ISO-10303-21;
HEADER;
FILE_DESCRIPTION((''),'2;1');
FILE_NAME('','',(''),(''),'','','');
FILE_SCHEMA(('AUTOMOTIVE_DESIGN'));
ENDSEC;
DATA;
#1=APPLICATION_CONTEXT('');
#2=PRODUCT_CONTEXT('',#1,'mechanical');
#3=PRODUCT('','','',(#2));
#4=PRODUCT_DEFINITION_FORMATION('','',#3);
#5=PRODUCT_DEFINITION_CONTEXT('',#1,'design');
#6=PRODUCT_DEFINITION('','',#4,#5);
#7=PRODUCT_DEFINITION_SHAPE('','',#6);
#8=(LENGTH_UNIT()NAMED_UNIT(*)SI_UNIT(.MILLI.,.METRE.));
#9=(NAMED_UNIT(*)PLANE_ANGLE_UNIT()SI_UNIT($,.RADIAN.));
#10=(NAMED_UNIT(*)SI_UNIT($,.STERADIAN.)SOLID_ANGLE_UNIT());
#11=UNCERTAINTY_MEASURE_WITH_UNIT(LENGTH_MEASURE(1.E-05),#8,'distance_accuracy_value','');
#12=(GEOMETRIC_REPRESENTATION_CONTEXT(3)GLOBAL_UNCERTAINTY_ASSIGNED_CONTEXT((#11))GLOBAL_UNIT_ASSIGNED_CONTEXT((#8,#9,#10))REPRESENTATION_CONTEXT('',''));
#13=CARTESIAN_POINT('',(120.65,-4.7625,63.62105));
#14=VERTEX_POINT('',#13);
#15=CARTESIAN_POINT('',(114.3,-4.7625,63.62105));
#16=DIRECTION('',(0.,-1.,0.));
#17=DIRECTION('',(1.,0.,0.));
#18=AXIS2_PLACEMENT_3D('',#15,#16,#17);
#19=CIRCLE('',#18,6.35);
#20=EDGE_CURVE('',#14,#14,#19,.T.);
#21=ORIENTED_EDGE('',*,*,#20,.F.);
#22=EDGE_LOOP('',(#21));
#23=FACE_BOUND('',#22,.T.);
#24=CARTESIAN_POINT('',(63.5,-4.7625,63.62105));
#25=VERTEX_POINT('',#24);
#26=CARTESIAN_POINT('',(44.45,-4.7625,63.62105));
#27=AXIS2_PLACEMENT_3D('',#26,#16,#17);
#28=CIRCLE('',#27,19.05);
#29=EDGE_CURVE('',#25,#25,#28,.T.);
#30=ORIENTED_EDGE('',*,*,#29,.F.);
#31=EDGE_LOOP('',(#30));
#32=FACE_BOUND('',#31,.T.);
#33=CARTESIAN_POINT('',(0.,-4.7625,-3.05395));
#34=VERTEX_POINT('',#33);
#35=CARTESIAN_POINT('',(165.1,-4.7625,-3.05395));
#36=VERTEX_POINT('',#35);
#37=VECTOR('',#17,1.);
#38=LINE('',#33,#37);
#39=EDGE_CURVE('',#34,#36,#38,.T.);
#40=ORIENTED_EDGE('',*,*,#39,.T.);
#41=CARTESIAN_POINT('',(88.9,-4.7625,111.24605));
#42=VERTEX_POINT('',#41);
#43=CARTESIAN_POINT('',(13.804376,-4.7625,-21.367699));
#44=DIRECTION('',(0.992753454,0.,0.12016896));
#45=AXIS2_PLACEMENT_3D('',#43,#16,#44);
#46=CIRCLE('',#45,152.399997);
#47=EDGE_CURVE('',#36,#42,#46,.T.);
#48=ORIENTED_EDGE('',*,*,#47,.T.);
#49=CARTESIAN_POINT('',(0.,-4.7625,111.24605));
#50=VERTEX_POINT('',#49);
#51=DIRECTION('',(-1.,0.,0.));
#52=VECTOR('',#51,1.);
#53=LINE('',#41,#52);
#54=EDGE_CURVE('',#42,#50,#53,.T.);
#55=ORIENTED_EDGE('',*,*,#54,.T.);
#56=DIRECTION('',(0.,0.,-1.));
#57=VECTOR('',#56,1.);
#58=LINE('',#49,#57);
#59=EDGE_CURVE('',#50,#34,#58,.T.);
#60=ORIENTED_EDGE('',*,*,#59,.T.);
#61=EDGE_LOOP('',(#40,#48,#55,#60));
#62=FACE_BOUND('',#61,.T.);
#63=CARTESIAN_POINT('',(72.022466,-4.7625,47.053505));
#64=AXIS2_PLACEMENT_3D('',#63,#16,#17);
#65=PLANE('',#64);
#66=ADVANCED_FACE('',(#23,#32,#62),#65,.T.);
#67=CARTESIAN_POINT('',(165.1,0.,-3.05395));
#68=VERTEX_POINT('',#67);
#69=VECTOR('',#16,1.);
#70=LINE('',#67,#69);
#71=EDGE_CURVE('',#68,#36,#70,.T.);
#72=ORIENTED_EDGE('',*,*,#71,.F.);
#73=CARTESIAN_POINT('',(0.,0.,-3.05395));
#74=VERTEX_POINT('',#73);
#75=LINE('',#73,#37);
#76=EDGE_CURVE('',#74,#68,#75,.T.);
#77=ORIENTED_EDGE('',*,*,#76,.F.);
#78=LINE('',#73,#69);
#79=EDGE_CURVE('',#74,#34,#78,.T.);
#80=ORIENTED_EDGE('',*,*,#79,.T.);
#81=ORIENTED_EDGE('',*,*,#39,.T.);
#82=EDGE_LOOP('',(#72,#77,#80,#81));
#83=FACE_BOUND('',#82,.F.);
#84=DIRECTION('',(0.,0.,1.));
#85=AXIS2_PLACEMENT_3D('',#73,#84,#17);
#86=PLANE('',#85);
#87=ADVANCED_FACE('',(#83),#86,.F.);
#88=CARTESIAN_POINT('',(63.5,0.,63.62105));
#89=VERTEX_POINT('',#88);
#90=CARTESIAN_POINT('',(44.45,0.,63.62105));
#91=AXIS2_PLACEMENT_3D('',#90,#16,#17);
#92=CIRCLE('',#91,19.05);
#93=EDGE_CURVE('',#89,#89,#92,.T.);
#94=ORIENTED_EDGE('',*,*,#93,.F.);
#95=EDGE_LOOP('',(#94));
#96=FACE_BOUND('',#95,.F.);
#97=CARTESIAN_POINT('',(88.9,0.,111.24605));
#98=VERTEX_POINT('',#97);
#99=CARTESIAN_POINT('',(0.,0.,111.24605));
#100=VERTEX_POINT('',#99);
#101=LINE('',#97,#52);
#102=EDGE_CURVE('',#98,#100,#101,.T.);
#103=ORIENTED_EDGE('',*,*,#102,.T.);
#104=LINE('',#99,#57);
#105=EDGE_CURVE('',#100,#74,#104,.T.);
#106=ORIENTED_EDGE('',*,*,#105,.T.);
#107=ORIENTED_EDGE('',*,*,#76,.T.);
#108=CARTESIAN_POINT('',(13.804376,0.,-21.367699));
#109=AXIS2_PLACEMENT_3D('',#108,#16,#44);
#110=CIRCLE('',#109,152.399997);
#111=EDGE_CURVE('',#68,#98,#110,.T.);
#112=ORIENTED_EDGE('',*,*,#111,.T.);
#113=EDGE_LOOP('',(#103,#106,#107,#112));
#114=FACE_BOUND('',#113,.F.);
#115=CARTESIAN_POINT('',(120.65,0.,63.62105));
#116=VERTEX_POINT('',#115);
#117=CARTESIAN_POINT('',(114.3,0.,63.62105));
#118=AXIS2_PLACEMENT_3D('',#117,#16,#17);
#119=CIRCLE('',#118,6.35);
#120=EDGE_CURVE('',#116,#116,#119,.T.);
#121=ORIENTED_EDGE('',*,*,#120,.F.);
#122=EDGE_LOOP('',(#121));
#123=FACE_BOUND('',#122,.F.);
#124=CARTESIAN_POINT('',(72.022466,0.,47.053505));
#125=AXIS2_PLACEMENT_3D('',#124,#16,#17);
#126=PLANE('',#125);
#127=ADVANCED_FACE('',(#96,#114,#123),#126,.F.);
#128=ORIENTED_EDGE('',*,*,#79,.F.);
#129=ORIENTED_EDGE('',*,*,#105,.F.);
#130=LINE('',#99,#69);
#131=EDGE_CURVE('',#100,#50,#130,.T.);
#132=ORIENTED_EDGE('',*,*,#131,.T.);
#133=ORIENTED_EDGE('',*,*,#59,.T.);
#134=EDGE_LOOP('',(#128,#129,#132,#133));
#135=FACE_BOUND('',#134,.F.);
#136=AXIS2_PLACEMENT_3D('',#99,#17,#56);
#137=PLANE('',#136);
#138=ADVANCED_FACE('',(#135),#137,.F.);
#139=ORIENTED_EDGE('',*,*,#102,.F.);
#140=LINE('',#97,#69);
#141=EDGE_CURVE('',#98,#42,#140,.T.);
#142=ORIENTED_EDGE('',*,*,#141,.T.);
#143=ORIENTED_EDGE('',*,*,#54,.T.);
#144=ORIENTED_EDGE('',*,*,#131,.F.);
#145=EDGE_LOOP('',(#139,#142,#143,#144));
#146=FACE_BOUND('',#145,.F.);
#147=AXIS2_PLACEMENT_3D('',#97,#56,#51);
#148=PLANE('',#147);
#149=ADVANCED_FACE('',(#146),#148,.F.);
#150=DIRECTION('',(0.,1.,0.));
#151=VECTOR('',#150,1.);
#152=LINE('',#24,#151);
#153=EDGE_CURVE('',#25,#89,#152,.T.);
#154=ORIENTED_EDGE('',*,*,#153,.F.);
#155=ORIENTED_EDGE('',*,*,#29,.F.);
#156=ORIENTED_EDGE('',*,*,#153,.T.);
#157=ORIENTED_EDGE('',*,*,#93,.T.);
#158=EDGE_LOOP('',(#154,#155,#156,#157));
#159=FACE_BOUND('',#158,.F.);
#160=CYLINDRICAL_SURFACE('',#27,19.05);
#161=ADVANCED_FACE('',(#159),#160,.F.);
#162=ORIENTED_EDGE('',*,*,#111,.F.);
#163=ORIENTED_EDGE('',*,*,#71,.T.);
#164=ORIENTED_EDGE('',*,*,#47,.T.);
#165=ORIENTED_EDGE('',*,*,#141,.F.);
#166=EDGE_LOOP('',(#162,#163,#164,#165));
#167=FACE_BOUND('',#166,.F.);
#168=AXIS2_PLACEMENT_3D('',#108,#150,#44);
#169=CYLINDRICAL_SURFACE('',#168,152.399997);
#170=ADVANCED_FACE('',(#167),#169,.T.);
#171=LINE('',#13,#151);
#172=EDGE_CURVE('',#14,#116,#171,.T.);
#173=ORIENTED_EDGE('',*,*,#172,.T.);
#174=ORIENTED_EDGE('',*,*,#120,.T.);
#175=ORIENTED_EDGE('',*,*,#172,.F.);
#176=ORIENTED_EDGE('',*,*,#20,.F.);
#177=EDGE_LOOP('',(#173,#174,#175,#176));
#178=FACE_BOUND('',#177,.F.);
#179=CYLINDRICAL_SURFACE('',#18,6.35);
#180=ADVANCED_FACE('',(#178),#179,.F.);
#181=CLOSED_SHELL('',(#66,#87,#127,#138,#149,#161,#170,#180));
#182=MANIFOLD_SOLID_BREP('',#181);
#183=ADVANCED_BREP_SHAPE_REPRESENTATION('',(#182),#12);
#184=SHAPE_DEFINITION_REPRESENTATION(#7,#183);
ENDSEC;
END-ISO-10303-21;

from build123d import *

# Parameters (mm, degrees)
F1_DEPTH = 4.7625
F2_R     = 19.05
F2_R_2   = 6.35
F3_DEPTH = 4.7635


with BuildPart() as f1:
    # F0 (on Front) → F1 (new body)
    with BuildSketch(Plane.XZ):
        with BuildLine():
            Line((0, 111.24605), (0, -3.05395))
            Line((0, -3.05395), (165.1, -3.05395))
            ThreePointArc((165.1, -3.05395), (140.608839, 63.168609), (88.9, 111.24605))
            Line((88.9, 111.24605), (0, 111.24605))
        make_face()
    extrude(amount=F1_DEPTH)

    # F2 (on face) → F3 (cut, through all)
    with BuildSketch(Plane.XZ.offset(4.7625)):
        with Locations((44.45, 63.62105)):
            Circle(F2_R)
        with Locations((114.3, 63.62105)):
            Circle(F2_R_2)
    extrude(amount=-F3_DEPTH, mode=Mode.SUBTRACT)


solid = f1.part
